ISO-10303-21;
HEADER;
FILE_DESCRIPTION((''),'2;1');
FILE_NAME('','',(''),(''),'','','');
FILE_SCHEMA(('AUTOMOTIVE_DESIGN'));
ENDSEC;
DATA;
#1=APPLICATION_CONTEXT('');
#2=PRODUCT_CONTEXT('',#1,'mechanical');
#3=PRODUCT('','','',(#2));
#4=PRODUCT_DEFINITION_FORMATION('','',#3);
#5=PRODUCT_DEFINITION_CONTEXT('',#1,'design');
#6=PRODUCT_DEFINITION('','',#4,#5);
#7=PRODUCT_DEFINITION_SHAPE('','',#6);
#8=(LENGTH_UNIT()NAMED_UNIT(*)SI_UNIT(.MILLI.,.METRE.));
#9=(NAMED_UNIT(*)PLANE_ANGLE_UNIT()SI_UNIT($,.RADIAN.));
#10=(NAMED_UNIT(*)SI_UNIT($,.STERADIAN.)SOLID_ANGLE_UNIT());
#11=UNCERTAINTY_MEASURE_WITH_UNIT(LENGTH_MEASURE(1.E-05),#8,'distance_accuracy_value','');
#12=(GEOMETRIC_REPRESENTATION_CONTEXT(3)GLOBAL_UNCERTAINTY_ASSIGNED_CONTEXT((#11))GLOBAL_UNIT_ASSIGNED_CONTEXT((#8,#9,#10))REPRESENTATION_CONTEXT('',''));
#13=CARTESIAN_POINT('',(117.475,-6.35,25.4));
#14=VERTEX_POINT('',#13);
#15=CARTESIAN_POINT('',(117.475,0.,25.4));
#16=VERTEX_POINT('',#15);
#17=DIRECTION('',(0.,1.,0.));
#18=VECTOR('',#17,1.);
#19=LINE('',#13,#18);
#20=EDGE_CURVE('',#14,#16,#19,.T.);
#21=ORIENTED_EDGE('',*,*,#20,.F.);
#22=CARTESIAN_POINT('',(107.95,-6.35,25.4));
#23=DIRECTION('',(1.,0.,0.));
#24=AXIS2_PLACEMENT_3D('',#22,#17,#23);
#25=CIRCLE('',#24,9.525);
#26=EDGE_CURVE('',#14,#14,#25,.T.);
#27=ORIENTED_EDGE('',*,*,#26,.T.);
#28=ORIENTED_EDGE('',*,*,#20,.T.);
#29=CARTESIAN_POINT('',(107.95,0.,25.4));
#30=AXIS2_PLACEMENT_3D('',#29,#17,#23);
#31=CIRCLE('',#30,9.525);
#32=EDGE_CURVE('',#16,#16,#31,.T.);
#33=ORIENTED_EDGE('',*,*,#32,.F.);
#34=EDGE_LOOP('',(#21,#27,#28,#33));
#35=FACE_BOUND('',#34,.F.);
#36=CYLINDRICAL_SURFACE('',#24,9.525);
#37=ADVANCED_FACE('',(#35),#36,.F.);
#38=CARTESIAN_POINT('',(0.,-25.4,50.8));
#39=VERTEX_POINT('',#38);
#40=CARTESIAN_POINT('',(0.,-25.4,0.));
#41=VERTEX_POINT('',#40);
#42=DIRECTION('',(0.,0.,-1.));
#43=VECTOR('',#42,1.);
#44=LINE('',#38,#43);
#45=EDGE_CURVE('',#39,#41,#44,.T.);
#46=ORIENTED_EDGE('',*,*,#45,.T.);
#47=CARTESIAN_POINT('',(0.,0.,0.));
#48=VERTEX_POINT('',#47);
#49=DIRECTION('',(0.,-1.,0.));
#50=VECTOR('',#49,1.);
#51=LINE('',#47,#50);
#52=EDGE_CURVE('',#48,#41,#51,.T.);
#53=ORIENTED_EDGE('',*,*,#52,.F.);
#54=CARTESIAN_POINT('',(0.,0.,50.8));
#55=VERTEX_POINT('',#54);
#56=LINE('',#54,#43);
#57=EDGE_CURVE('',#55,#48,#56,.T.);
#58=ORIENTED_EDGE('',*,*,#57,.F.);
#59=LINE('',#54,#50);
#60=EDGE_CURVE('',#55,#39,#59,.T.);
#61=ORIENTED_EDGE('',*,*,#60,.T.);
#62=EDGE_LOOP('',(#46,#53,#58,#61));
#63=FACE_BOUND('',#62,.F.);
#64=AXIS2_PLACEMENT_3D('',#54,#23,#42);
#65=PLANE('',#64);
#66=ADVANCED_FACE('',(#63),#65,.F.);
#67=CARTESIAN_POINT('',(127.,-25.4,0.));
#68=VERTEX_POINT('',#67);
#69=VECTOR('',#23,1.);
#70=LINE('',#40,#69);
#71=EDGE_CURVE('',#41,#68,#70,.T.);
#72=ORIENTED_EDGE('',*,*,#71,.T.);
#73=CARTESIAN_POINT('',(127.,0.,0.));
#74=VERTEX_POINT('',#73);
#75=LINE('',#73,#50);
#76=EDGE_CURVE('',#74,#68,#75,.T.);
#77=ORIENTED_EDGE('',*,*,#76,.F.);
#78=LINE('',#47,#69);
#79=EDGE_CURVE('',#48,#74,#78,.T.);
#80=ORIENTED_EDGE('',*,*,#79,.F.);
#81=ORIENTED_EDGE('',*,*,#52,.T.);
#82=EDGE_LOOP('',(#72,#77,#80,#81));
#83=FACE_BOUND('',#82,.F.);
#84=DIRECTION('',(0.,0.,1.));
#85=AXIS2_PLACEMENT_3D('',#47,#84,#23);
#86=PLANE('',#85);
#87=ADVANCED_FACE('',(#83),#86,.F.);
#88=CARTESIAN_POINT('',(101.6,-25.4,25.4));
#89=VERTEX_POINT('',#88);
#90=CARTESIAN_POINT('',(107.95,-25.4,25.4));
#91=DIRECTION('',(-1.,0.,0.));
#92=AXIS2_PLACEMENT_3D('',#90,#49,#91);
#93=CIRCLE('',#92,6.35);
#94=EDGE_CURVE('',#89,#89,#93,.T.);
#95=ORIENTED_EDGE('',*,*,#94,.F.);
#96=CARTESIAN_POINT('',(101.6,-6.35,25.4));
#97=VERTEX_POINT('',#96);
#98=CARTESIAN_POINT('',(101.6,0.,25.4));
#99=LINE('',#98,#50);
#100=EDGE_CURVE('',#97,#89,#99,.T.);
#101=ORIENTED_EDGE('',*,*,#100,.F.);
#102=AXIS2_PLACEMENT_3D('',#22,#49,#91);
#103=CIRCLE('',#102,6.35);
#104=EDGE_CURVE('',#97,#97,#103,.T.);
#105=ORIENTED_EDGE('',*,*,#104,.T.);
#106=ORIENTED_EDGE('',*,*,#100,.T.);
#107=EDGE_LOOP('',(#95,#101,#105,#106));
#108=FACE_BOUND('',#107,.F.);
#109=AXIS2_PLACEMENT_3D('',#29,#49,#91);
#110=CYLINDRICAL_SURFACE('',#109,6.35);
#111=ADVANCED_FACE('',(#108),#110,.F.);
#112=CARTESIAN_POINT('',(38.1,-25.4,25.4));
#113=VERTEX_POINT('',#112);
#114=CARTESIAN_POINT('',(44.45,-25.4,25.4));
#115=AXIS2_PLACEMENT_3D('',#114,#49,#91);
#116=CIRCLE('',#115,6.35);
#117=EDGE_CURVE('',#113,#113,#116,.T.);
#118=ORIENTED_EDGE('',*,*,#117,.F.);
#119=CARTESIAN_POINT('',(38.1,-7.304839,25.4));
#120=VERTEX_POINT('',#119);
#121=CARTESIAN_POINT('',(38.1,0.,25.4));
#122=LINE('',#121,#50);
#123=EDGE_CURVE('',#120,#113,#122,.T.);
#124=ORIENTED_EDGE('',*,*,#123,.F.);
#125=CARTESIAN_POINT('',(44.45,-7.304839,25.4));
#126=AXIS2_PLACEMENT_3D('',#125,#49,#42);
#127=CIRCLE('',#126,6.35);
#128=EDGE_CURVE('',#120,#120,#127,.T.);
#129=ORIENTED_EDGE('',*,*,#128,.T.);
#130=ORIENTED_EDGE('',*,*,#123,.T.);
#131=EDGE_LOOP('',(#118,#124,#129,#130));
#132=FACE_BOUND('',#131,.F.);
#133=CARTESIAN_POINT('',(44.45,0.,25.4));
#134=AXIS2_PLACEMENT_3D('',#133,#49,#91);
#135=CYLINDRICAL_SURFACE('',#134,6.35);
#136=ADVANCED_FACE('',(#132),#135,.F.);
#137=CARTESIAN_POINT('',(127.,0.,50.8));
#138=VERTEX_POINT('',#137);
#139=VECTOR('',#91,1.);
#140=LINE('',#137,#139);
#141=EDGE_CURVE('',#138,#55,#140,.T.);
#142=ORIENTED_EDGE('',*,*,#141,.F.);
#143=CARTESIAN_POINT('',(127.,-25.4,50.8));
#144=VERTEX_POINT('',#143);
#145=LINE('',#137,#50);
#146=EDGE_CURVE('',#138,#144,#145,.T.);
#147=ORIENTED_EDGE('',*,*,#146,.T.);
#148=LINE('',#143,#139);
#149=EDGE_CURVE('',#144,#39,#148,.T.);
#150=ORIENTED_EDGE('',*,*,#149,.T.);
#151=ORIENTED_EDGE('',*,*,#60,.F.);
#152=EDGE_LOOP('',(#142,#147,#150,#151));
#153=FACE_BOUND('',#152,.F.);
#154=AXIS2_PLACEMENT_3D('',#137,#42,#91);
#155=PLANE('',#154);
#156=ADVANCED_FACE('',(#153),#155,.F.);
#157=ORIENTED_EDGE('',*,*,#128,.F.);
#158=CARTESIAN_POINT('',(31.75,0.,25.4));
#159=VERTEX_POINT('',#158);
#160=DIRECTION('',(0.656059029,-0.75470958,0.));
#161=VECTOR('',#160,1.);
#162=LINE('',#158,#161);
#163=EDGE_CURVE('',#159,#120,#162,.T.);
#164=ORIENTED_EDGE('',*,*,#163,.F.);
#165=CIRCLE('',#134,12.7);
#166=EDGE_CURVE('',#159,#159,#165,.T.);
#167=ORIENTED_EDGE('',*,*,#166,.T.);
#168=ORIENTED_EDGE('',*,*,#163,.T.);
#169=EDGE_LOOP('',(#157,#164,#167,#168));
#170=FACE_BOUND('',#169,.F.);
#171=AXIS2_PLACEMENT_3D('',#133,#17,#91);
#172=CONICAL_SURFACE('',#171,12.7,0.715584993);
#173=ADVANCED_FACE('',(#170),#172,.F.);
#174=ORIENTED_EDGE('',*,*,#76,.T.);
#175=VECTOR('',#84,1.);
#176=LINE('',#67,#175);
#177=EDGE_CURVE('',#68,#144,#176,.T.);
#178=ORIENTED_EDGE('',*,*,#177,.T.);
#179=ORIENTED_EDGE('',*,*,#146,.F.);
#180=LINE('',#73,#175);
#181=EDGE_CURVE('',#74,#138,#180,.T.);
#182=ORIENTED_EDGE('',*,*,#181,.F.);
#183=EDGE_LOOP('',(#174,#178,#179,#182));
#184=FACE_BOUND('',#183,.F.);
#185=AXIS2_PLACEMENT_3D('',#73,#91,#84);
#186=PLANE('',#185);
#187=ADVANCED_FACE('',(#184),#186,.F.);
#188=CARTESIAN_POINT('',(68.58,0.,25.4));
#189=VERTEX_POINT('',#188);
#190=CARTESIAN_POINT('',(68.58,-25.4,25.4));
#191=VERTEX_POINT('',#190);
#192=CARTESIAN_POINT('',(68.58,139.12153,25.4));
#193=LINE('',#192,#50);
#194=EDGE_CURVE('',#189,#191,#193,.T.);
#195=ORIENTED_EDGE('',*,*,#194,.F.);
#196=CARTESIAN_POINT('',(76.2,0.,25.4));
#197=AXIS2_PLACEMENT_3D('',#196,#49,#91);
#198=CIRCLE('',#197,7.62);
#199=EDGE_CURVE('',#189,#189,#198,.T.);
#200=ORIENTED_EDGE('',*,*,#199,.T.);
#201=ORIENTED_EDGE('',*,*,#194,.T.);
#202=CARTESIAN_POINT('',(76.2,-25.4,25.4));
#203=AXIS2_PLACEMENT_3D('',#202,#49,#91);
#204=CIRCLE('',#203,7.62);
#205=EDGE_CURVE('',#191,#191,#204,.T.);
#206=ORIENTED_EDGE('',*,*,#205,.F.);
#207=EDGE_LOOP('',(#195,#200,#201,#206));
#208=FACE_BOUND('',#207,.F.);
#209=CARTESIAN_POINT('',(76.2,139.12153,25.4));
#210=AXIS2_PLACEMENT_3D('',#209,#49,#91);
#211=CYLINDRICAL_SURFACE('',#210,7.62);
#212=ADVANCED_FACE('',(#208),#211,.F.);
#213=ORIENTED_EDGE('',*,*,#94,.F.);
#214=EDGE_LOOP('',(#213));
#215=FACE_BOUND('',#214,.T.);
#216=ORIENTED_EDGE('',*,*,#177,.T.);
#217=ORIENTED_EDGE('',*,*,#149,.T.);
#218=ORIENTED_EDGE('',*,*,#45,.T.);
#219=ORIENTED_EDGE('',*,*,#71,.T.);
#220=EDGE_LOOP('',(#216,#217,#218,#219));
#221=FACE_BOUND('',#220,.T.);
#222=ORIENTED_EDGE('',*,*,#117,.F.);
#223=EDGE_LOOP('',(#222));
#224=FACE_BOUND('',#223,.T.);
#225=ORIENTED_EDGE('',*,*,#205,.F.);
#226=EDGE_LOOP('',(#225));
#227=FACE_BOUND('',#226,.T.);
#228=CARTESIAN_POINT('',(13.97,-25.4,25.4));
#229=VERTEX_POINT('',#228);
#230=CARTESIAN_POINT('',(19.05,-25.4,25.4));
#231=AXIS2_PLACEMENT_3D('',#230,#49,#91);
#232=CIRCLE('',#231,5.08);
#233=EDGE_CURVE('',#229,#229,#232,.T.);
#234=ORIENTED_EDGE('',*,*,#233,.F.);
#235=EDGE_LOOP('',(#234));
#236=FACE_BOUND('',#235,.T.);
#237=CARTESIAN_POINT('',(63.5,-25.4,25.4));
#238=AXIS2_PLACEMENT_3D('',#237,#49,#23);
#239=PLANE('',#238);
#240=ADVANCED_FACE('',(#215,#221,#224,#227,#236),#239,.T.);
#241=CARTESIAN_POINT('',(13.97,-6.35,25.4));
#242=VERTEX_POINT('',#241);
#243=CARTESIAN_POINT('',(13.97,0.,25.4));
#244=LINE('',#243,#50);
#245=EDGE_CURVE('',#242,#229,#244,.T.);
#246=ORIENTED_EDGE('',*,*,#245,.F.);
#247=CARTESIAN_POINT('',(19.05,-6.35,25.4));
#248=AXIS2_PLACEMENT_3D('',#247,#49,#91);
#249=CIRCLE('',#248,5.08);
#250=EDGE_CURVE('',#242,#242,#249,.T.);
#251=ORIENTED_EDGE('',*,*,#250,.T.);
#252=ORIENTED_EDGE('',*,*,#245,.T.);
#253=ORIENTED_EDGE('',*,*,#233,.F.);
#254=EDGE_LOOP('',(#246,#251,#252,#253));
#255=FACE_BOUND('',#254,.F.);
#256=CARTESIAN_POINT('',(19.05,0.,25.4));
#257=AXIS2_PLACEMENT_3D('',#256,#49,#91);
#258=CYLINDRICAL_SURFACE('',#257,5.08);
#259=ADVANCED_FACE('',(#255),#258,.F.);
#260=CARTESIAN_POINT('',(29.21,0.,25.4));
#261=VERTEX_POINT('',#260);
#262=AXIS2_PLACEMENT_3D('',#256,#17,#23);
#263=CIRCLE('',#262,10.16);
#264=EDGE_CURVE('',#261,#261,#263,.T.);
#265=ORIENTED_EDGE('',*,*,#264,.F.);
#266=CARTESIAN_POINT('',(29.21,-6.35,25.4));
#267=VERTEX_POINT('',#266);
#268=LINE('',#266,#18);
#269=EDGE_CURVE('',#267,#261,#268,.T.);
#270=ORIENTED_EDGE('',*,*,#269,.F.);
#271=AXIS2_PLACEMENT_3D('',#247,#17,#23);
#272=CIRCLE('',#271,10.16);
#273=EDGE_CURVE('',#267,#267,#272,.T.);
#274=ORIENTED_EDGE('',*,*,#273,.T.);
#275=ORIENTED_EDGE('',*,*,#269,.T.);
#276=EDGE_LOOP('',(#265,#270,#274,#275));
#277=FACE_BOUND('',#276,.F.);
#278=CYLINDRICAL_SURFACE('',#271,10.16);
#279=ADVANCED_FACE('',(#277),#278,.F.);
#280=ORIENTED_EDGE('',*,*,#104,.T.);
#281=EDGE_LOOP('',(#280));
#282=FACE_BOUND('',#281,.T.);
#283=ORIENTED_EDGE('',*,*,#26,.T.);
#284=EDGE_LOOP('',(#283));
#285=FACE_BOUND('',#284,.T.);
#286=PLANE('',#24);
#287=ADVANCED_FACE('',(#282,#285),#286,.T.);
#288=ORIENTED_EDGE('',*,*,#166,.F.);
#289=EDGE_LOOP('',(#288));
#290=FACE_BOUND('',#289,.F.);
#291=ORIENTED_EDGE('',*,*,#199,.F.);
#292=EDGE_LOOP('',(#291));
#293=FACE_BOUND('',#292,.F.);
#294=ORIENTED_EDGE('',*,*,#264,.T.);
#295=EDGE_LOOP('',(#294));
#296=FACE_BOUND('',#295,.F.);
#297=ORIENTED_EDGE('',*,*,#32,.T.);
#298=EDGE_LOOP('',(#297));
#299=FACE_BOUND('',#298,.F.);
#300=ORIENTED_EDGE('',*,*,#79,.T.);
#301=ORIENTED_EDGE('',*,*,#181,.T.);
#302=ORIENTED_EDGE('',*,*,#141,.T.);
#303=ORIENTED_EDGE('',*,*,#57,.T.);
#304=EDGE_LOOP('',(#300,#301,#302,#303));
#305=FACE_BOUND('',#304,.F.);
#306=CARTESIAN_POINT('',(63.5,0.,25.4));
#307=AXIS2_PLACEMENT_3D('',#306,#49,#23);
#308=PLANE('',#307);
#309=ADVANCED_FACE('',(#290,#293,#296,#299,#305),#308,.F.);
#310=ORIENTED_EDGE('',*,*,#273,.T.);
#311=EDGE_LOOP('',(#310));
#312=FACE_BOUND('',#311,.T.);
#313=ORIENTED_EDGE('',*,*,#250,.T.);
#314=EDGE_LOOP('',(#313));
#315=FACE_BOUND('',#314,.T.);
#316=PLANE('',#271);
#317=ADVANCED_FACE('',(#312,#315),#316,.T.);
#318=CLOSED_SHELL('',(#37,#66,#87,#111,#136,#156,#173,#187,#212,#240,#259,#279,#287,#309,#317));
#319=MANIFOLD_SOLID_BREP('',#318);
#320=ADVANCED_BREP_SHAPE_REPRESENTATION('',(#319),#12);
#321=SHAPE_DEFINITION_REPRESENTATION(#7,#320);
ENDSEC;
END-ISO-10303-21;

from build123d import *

# Parameters (mm, degrees)
F1_DEPTH       = 25.4
F2_D           = 12.7
F2_CBORE_D     = 19.05
F2_CBORE_DEPTH = 6.35
F3_D           = 15.24
F4_D           = 12.7
F4_CSINK_D     = 25.4
F4_CSINK_ANGLE = 82
F5_D           = 10.16
F5_CBORE_D     = 20.32
F5_CBORE_DEPTH = 6.35


with BuildPart() as f1:
    # F0 (on Front) → F1 (new body)
    with BuildSketch(Plane.XZ):
        Polygon((0, 25.4), (0, 0), (127, 0), (127, 50.8), (0, 50.8), align=None)
    extrude(amount=F1_DEPTH)

    # F2 (through all)
    with Locations(Plane(origin=(0, 0, 0), x_dir=(1, 0, 0), z_dir=(0, 1, 0))):
        with Locations((107.95, -25.4)):
            CounterBoreHole(F2_D / 2, F2_CBORE_D / 2, F2_CBORE_DEPTH)

    # F3 (through all)
    with Locations(Plane(origin=(0, 0, 0), x_dir=(1, 0, 0), z_dir=(0, 1, 0))):
        with Locations((76.2, -25.4)):
            Hole(F3_D / 2)

    # F4 (through all)
    with Locations(Plane(origin=(0, 0, 0), x_dir=(1, 0, 0), z_dir=(0, 1, 0))):
        with Locations((44.45, -25.4)):
            CounterSinkHole(F4_D / 2, F4_CSINK_D / 2, counter_sink_angle=F4_CSINK_ANGLE)

    # F5 (through all)
    with Locations(Plane(origin=(0, 0, 0), x_dir=(1, 0, 0), z_dir=(0, 1, 0))):
        with Locations((19.05, -25.4)):
            CounterBoreHole(F5_D / 2, F5_CBORE_D / 2, F5_CBORE_DEPTH)


solid = f1.part
